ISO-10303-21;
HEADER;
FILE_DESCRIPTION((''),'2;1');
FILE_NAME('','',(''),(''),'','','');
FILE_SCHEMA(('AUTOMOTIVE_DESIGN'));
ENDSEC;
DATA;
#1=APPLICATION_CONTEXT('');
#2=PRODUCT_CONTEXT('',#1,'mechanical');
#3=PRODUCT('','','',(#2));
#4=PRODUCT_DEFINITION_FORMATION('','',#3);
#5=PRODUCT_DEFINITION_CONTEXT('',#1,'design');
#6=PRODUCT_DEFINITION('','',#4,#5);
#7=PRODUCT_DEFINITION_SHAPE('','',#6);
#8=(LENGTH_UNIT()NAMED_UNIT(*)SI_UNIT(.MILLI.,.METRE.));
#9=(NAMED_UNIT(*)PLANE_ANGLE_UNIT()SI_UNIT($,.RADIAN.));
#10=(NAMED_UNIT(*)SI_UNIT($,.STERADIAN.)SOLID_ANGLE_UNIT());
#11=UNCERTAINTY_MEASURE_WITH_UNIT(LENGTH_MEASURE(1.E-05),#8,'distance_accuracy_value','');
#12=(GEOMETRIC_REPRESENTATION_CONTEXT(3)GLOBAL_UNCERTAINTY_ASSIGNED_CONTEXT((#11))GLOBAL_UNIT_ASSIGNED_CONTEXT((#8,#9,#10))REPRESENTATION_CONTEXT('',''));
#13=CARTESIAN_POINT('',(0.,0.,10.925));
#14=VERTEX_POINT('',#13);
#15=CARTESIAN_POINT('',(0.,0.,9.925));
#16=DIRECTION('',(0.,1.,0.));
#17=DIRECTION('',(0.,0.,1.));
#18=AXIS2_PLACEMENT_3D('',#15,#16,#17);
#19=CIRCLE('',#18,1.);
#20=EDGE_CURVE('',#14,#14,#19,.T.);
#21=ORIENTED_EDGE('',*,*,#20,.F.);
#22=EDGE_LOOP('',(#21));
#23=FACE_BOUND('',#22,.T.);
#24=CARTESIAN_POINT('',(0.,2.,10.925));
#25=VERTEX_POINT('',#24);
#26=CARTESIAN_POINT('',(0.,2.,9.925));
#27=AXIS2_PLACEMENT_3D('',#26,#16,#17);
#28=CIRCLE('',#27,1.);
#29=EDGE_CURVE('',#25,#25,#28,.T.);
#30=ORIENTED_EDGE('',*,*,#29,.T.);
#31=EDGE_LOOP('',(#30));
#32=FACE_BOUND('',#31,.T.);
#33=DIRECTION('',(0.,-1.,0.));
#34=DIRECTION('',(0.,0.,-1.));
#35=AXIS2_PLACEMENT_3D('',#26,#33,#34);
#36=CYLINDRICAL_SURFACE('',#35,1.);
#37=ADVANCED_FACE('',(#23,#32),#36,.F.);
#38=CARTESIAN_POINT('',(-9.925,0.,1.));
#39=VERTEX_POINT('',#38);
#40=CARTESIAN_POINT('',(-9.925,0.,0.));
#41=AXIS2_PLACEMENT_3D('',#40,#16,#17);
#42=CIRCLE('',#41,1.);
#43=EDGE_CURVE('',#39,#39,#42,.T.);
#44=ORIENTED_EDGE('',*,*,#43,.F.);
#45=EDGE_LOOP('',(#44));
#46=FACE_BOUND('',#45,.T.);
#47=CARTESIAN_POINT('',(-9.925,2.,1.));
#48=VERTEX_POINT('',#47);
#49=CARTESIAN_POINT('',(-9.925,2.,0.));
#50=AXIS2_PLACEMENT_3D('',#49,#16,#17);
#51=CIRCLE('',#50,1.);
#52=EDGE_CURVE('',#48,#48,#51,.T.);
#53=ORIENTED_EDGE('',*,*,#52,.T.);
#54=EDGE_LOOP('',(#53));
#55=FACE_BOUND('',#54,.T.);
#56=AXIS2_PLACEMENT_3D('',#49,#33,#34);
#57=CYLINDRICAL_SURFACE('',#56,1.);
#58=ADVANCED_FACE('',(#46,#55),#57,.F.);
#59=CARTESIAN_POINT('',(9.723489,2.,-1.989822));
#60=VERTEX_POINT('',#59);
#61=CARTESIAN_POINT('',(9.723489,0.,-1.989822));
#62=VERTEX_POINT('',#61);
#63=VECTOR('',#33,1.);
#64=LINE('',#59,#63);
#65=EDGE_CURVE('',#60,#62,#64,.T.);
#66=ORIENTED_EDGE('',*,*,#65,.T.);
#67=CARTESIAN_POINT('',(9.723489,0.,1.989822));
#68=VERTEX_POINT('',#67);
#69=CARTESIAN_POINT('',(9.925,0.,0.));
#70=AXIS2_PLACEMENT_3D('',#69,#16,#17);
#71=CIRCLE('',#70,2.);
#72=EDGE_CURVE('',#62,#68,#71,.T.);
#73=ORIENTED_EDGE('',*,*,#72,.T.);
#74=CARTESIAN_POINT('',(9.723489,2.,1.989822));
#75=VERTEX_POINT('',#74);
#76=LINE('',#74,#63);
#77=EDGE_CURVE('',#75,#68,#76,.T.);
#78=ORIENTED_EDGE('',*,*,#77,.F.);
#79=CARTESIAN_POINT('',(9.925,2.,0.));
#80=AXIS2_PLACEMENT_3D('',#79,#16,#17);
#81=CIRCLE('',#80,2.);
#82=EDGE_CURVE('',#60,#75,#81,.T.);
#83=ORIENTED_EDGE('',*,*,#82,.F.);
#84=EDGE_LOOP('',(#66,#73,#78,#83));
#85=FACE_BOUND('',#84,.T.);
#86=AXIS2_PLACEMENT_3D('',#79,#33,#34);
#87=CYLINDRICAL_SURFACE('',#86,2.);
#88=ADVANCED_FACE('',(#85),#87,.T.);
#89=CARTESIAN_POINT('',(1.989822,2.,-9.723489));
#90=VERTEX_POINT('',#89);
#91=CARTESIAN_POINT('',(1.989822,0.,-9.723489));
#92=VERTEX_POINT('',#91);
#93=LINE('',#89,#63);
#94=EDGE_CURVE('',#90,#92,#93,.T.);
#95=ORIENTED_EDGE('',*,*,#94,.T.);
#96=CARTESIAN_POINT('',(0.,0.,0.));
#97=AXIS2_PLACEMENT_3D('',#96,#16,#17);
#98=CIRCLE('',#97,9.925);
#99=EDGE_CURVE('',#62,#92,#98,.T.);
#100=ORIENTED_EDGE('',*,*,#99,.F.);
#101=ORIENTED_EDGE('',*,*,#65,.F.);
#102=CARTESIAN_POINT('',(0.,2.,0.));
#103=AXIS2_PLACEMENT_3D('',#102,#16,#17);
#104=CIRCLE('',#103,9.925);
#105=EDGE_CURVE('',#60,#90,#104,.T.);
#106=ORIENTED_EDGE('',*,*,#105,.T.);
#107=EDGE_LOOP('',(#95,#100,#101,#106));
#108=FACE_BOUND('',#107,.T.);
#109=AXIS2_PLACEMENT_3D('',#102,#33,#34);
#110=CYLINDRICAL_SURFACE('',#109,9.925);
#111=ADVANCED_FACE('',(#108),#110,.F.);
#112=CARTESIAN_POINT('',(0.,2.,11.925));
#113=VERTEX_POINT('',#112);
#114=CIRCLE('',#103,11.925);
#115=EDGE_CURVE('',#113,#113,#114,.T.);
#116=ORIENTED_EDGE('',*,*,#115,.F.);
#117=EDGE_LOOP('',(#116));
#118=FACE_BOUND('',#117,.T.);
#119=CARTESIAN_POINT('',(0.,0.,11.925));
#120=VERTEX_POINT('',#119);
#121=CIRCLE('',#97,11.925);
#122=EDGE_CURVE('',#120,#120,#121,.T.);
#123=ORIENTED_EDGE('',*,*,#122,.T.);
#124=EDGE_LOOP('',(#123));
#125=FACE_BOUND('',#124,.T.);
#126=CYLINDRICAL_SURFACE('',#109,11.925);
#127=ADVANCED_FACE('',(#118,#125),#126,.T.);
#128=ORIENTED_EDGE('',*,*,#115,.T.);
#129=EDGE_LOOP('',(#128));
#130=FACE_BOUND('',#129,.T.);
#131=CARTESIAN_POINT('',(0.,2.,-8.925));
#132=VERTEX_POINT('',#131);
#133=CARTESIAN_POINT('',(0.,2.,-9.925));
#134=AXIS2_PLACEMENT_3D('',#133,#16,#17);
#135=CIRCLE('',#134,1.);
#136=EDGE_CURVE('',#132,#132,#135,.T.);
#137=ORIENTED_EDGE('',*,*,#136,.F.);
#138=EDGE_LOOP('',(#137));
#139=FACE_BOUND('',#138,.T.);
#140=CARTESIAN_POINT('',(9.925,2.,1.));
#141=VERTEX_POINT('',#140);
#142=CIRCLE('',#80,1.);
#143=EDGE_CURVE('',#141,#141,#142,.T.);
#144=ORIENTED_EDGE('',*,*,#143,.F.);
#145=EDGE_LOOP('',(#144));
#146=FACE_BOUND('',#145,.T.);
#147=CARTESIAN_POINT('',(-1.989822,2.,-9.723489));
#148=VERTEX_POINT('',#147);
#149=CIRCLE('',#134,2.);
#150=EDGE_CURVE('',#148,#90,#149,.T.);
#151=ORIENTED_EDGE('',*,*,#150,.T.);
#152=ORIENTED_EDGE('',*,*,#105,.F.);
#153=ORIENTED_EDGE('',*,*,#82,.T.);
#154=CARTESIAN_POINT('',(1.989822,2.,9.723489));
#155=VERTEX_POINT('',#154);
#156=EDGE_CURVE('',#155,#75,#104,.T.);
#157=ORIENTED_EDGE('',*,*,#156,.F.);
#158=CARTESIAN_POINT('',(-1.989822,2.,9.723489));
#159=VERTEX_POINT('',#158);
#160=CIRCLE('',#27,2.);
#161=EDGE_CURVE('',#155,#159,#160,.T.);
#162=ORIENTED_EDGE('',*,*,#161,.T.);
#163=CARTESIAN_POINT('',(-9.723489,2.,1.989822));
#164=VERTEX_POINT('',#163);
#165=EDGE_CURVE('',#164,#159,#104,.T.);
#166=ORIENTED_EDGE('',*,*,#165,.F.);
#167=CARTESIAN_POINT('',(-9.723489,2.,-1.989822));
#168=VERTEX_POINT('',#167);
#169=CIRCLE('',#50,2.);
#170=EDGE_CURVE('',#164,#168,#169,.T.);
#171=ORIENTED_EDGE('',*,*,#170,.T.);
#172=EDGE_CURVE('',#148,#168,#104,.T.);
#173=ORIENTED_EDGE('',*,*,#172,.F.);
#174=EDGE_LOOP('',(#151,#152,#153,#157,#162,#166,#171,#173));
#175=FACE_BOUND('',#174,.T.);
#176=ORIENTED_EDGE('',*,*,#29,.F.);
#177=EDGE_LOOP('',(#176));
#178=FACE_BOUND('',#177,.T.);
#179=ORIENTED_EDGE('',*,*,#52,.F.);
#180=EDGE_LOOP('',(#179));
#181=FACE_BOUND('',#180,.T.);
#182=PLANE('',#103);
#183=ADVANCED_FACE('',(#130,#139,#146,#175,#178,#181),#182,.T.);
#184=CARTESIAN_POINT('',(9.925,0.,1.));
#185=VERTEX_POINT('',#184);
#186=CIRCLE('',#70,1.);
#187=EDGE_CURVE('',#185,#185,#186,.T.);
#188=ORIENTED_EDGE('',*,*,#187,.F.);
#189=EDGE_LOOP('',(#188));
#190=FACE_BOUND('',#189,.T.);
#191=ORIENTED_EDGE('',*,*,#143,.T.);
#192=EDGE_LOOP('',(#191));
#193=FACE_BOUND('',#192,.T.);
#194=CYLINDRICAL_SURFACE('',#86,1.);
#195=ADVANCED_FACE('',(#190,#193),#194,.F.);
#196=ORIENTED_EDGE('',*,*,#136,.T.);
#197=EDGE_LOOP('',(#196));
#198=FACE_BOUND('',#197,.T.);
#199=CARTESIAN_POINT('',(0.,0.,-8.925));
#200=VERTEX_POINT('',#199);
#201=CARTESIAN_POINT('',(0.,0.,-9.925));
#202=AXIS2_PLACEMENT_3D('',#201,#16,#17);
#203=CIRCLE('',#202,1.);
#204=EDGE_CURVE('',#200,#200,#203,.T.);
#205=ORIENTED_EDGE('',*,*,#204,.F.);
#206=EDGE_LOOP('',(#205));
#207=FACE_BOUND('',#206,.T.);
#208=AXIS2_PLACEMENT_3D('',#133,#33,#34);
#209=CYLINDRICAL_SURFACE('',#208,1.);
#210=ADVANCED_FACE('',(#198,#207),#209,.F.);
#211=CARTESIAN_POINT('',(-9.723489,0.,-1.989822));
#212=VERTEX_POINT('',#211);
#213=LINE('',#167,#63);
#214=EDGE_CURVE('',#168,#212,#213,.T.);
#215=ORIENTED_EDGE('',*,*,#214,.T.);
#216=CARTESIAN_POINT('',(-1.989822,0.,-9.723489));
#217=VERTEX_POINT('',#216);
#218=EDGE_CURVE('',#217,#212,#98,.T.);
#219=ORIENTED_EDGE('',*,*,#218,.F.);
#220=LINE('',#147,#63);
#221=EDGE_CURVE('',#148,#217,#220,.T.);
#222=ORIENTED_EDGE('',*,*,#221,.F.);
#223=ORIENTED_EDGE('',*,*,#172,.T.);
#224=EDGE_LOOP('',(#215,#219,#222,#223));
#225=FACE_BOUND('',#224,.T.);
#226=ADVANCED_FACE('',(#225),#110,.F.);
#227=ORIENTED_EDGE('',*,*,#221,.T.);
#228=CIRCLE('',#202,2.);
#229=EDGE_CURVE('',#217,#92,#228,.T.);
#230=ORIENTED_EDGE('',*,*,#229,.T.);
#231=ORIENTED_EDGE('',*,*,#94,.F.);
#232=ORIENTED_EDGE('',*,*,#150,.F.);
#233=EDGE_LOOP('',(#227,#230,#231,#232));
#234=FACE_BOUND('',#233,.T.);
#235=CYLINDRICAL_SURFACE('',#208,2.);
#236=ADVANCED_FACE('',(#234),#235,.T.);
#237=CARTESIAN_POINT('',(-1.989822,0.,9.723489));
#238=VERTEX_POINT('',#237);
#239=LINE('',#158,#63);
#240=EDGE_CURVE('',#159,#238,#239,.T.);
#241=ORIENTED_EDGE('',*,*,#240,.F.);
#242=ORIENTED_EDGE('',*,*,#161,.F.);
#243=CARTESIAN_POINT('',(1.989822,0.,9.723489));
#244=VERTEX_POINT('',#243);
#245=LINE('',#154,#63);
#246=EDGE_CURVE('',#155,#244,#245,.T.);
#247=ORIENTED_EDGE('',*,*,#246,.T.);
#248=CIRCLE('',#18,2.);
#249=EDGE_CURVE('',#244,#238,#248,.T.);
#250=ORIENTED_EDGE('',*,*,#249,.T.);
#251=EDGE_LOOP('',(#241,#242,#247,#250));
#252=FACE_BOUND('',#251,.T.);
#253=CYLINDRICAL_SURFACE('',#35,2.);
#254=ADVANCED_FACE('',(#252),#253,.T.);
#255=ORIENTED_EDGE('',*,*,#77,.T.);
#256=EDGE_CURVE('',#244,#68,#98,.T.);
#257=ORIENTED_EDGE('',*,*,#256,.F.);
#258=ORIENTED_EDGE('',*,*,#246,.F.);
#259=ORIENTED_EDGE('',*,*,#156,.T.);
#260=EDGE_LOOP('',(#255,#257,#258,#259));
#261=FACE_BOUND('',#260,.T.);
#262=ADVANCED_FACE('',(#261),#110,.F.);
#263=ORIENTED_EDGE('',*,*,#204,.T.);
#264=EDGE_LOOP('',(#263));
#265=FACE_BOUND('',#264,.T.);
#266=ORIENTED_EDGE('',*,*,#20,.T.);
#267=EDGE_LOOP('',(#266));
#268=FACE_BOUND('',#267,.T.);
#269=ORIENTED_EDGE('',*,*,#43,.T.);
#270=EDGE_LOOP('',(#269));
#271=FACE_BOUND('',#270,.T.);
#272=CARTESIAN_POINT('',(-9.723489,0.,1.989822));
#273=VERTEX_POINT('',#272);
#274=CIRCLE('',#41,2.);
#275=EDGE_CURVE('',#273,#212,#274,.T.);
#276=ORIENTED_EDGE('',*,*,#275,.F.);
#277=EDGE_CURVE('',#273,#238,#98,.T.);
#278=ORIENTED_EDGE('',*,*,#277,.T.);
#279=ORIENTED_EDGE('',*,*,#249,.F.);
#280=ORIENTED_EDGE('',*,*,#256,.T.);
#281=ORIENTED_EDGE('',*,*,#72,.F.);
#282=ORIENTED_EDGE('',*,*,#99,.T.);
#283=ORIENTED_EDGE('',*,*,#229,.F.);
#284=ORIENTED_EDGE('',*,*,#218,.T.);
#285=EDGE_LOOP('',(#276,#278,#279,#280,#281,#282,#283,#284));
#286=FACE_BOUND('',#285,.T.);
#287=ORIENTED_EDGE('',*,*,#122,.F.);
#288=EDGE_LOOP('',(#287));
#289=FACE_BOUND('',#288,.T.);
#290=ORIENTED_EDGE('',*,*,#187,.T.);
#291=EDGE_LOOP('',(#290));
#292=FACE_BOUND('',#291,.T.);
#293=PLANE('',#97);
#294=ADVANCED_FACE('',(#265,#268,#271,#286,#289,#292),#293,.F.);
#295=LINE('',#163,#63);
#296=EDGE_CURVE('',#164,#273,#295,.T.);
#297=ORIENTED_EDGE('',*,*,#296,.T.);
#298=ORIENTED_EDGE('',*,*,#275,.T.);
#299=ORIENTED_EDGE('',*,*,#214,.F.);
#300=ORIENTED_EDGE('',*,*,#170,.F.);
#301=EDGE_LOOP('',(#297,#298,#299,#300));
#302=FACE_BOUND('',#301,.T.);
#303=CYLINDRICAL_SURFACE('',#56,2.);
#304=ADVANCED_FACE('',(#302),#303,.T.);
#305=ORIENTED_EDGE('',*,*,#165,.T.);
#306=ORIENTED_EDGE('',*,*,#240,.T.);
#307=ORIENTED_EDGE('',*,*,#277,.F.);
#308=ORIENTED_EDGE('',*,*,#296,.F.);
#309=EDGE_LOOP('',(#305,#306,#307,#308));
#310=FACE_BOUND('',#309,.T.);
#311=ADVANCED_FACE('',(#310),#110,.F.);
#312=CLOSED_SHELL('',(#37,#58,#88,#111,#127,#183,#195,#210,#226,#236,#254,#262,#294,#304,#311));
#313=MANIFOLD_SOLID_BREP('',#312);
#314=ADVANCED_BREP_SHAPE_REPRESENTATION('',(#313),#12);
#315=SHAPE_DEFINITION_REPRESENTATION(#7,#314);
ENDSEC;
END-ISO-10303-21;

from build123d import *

# Parameters (mm, degrees)
SKETCH1_R           = 11.925
SKETCH1_R_2         = 1
BOSS_EXTRUDE1_DEPTH = 2


with BuildPart() as part:
    # Sketch1 → Boss-Extrude1 (new body)
    with BuildSketch(Plane(origin=(0, 0, 0), x_dir=(1, 0, 0), z_dir=(0, 1, 0))):
        with Locations(Location((0, 0, 0), (0, 0, 270))):
            Circle(SKETCH1_R)
        with Locations(Location((9.925, 0, 0), (0, 0, 270))):
            Circle(SKETCH1_R_2, mode=Mode.SUBTRACT)
        with BuildLine():
            ThreePointArc((-1.9898224, -9.723488665), (-7.018034803, -7.018034803), (-9.723488665, -1.9898224))
            ThreePointArc((-9.723488665, -1.9898224), (-7.925, 0), (-9.723488665, 1.9898224))
            ThreePointArc((-9.723488665, 1.9898224), (-7.018034803, 7.018034803), (-1.9898224, 9.723488665))
            ThreePointArc((-1.9898224, 9.723488665), (0, 7.925), (1.9898224, 9.723488665))
            ThreePointArc((1.9898224, 9.723488665), (7.018034803, 7.018034803), (9.723488665, 1.9898224))
            ThreePointArc((9.723488665, 1.9898224), (7.925, 0), (9.723488665, -1.9898224))
            ThreePointArc((9.723488665, -1.9898224), (7.018034803, -7.018034803), (1.9898224, -9.723488665))
            ThreePointArc((1.9898224, -9.723488665), (0, -7.925), (-1.9898224, -9.723488665))
        make_face(mode=Mode.SUBTRACT)
        with Locations(Location((-9.925, 0, 0), (0, 0, 270))):
            Circle(SKETCH1_R_2, mode=Mode.SUBTRACT)
        with Locations(Location((0, -9.925, 0), (0, 0, 270))):
            Circle(SKETCH1_R_2, mode=Mode.SUBTRACT)
        with Locations(Location((0, 9.925, 0), (0, 0, 270))):
            Circle(SKETCH1_R_2, mode=Mode.SUBTRACT)
    extrude(amount=BOSS_EXTRUDE1_DEPTH)


solid = part.part
